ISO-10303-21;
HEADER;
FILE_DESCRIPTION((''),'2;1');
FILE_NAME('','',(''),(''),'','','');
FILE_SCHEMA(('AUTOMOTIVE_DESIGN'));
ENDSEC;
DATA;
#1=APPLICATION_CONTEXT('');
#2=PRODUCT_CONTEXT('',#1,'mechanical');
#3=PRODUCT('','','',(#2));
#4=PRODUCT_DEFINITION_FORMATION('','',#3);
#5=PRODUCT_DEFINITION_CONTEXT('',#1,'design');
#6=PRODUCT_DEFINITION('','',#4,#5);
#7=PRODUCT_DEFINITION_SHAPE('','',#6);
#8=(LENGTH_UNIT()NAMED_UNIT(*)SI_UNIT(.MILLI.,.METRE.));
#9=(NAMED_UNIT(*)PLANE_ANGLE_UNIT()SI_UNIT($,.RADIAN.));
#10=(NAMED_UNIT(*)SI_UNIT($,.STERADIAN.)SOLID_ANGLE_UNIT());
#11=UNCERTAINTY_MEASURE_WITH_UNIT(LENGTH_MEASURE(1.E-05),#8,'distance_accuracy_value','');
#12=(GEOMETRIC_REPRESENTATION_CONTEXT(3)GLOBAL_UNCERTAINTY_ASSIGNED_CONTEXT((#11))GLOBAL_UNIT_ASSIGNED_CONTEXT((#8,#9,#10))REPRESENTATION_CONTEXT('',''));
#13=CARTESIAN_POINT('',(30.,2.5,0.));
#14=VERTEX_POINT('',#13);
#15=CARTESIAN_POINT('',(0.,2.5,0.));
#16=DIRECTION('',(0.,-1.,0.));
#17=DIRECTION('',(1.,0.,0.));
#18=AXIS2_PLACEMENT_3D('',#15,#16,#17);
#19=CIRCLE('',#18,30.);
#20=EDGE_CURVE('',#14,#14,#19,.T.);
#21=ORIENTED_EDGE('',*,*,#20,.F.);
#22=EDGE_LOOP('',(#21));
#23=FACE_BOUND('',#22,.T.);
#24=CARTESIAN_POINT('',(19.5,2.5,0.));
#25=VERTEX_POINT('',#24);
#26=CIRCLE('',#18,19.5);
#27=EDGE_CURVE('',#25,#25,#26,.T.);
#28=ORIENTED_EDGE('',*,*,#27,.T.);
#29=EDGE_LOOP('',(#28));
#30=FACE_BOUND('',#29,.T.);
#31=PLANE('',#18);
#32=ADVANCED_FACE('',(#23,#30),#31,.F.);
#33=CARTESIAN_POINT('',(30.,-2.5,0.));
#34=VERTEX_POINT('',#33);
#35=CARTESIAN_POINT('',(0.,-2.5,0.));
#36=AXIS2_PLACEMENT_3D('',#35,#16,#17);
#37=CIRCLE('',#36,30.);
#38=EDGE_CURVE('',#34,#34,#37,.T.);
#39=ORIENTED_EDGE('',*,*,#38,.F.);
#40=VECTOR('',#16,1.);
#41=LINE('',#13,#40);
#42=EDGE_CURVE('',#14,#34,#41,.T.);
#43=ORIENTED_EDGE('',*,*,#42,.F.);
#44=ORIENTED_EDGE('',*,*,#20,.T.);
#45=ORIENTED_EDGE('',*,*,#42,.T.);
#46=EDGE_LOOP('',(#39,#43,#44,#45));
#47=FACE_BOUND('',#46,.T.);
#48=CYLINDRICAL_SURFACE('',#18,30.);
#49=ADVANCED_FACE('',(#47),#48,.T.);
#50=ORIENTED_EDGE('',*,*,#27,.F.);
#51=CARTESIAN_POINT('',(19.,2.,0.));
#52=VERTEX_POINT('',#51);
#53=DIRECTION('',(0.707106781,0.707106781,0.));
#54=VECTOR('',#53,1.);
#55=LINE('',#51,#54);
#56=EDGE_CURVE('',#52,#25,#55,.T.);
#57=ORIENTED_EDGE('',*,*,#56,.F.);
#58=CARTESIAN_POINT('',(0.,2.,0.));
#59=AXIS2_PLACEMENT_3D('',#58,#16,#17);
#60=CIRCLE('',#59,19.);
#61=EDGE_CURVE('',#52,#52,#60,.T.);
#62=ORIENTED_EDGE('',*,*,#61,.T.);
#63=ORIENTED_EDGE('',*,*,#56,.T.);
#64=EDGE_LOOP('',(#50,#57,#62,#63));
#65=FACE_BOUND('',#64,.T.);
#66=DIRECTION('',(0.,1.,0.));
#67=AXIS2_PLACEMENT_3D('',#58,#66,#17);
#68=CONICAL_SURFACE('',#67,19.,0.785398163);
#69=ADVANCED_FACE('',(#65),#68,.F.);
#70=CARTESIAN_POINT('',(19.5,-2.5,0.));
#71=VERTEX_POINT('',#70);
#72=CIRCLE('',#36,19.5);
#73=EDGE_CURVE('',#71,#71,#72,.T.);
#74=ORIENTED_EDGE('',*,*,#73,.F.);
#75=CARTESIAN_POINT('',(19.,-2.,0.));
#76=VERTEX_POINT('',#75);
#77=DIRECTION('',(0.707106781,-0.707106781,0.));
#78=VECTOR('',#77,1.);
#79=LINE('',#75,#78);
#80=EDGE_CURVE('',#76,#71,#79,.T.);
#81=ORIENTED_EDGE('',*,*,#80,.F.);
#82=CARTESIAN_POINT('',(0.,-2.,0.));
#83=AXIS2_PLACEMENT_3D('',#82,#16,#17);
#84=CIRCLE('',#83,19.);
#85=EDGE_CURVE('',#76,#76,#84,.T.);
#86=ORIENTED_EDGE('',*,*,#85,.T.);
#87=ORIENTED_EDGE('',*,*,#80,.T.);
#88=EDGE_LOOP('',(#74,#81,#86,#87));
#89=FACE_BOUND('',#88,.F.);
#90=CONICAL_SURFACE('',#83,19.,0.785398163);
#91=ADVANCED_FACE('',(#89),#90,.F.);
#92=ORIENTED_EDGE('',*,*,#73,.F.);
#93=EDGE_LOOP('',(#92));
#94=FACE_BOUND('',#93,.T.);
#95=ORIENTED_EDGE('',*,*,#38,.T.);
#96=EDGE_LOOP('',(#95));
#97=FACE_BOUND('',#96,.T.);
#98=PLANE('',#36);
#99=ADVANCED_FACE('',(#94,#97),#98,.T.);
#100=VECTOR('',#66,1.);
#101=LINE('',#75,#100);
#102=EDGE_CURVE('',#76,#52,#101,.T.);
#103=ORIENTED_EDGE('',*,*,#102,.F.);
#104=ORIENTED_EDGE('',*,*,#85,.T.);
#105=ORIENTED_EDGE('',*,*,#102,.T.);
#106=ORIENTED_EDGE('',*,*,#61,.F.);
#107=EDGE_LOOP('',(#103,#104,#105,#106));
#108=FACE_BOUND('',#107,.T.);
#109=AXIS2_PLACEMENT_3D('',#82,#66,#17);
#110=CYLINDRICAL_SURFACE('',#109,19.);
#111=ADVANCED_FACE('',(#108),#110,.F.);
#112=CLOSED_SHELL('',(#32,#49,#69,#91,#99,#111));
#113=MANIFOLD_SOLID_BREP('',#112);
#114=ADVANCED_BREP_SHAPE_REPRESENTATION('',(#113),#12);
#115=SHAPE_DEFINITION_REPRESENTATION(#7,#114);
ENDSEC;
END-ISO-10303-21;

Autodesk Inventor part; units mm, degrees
ref_plane "YZ Plane" through (0, 0, 0) normal (1, 0, 0) x (0, 1, 0)
ref_plane "XZ Plane" through (0, 0, 0) normal (0, 1, 0) x (-1, 0, 0)
ref_plane "XY Plane" through (0, 0, 0) normal (0, 0, 1) x (1, 0, 0)
sketch "Эскиз1" plane through (0, 0, 0) normal (0, 0, 1) x (1, 0, 0)
  line L0 (0, 2.5) -> (0, -2.5)
  line L1 (19, -2) -> (19, 2)
  line L2 (19.5, 2.5) -> (30, 2.5)
  line L3 (30, 2.5) -> (30, -2.5)
  line L4 (30, -2.5) -> (19.5, -2.5)
  line L5 (19, -2) -> (19.5, -2.5)
  line L6 (19, 2) -> (19.5, 2.5)
  point P0 (0, 0)
  point P1 (0, 0)
  point P2 (19, -2.5)
  point P3 (19, 2.5)
  dimension "d0" = 5
  dimension "d1" = 60
  dimension "d2" = 38
  dimension "d3" = 0.5
  dimension "d4" = 45
  dimension "d5" = 0.5
  dimension "d6" = 45
revolve "Вращение1" add sketch "Эскиз1" angle 360 about axis through (0, 2.5, 0) along (0, -1, 0)
properties part number "69. Шайба упорная"
